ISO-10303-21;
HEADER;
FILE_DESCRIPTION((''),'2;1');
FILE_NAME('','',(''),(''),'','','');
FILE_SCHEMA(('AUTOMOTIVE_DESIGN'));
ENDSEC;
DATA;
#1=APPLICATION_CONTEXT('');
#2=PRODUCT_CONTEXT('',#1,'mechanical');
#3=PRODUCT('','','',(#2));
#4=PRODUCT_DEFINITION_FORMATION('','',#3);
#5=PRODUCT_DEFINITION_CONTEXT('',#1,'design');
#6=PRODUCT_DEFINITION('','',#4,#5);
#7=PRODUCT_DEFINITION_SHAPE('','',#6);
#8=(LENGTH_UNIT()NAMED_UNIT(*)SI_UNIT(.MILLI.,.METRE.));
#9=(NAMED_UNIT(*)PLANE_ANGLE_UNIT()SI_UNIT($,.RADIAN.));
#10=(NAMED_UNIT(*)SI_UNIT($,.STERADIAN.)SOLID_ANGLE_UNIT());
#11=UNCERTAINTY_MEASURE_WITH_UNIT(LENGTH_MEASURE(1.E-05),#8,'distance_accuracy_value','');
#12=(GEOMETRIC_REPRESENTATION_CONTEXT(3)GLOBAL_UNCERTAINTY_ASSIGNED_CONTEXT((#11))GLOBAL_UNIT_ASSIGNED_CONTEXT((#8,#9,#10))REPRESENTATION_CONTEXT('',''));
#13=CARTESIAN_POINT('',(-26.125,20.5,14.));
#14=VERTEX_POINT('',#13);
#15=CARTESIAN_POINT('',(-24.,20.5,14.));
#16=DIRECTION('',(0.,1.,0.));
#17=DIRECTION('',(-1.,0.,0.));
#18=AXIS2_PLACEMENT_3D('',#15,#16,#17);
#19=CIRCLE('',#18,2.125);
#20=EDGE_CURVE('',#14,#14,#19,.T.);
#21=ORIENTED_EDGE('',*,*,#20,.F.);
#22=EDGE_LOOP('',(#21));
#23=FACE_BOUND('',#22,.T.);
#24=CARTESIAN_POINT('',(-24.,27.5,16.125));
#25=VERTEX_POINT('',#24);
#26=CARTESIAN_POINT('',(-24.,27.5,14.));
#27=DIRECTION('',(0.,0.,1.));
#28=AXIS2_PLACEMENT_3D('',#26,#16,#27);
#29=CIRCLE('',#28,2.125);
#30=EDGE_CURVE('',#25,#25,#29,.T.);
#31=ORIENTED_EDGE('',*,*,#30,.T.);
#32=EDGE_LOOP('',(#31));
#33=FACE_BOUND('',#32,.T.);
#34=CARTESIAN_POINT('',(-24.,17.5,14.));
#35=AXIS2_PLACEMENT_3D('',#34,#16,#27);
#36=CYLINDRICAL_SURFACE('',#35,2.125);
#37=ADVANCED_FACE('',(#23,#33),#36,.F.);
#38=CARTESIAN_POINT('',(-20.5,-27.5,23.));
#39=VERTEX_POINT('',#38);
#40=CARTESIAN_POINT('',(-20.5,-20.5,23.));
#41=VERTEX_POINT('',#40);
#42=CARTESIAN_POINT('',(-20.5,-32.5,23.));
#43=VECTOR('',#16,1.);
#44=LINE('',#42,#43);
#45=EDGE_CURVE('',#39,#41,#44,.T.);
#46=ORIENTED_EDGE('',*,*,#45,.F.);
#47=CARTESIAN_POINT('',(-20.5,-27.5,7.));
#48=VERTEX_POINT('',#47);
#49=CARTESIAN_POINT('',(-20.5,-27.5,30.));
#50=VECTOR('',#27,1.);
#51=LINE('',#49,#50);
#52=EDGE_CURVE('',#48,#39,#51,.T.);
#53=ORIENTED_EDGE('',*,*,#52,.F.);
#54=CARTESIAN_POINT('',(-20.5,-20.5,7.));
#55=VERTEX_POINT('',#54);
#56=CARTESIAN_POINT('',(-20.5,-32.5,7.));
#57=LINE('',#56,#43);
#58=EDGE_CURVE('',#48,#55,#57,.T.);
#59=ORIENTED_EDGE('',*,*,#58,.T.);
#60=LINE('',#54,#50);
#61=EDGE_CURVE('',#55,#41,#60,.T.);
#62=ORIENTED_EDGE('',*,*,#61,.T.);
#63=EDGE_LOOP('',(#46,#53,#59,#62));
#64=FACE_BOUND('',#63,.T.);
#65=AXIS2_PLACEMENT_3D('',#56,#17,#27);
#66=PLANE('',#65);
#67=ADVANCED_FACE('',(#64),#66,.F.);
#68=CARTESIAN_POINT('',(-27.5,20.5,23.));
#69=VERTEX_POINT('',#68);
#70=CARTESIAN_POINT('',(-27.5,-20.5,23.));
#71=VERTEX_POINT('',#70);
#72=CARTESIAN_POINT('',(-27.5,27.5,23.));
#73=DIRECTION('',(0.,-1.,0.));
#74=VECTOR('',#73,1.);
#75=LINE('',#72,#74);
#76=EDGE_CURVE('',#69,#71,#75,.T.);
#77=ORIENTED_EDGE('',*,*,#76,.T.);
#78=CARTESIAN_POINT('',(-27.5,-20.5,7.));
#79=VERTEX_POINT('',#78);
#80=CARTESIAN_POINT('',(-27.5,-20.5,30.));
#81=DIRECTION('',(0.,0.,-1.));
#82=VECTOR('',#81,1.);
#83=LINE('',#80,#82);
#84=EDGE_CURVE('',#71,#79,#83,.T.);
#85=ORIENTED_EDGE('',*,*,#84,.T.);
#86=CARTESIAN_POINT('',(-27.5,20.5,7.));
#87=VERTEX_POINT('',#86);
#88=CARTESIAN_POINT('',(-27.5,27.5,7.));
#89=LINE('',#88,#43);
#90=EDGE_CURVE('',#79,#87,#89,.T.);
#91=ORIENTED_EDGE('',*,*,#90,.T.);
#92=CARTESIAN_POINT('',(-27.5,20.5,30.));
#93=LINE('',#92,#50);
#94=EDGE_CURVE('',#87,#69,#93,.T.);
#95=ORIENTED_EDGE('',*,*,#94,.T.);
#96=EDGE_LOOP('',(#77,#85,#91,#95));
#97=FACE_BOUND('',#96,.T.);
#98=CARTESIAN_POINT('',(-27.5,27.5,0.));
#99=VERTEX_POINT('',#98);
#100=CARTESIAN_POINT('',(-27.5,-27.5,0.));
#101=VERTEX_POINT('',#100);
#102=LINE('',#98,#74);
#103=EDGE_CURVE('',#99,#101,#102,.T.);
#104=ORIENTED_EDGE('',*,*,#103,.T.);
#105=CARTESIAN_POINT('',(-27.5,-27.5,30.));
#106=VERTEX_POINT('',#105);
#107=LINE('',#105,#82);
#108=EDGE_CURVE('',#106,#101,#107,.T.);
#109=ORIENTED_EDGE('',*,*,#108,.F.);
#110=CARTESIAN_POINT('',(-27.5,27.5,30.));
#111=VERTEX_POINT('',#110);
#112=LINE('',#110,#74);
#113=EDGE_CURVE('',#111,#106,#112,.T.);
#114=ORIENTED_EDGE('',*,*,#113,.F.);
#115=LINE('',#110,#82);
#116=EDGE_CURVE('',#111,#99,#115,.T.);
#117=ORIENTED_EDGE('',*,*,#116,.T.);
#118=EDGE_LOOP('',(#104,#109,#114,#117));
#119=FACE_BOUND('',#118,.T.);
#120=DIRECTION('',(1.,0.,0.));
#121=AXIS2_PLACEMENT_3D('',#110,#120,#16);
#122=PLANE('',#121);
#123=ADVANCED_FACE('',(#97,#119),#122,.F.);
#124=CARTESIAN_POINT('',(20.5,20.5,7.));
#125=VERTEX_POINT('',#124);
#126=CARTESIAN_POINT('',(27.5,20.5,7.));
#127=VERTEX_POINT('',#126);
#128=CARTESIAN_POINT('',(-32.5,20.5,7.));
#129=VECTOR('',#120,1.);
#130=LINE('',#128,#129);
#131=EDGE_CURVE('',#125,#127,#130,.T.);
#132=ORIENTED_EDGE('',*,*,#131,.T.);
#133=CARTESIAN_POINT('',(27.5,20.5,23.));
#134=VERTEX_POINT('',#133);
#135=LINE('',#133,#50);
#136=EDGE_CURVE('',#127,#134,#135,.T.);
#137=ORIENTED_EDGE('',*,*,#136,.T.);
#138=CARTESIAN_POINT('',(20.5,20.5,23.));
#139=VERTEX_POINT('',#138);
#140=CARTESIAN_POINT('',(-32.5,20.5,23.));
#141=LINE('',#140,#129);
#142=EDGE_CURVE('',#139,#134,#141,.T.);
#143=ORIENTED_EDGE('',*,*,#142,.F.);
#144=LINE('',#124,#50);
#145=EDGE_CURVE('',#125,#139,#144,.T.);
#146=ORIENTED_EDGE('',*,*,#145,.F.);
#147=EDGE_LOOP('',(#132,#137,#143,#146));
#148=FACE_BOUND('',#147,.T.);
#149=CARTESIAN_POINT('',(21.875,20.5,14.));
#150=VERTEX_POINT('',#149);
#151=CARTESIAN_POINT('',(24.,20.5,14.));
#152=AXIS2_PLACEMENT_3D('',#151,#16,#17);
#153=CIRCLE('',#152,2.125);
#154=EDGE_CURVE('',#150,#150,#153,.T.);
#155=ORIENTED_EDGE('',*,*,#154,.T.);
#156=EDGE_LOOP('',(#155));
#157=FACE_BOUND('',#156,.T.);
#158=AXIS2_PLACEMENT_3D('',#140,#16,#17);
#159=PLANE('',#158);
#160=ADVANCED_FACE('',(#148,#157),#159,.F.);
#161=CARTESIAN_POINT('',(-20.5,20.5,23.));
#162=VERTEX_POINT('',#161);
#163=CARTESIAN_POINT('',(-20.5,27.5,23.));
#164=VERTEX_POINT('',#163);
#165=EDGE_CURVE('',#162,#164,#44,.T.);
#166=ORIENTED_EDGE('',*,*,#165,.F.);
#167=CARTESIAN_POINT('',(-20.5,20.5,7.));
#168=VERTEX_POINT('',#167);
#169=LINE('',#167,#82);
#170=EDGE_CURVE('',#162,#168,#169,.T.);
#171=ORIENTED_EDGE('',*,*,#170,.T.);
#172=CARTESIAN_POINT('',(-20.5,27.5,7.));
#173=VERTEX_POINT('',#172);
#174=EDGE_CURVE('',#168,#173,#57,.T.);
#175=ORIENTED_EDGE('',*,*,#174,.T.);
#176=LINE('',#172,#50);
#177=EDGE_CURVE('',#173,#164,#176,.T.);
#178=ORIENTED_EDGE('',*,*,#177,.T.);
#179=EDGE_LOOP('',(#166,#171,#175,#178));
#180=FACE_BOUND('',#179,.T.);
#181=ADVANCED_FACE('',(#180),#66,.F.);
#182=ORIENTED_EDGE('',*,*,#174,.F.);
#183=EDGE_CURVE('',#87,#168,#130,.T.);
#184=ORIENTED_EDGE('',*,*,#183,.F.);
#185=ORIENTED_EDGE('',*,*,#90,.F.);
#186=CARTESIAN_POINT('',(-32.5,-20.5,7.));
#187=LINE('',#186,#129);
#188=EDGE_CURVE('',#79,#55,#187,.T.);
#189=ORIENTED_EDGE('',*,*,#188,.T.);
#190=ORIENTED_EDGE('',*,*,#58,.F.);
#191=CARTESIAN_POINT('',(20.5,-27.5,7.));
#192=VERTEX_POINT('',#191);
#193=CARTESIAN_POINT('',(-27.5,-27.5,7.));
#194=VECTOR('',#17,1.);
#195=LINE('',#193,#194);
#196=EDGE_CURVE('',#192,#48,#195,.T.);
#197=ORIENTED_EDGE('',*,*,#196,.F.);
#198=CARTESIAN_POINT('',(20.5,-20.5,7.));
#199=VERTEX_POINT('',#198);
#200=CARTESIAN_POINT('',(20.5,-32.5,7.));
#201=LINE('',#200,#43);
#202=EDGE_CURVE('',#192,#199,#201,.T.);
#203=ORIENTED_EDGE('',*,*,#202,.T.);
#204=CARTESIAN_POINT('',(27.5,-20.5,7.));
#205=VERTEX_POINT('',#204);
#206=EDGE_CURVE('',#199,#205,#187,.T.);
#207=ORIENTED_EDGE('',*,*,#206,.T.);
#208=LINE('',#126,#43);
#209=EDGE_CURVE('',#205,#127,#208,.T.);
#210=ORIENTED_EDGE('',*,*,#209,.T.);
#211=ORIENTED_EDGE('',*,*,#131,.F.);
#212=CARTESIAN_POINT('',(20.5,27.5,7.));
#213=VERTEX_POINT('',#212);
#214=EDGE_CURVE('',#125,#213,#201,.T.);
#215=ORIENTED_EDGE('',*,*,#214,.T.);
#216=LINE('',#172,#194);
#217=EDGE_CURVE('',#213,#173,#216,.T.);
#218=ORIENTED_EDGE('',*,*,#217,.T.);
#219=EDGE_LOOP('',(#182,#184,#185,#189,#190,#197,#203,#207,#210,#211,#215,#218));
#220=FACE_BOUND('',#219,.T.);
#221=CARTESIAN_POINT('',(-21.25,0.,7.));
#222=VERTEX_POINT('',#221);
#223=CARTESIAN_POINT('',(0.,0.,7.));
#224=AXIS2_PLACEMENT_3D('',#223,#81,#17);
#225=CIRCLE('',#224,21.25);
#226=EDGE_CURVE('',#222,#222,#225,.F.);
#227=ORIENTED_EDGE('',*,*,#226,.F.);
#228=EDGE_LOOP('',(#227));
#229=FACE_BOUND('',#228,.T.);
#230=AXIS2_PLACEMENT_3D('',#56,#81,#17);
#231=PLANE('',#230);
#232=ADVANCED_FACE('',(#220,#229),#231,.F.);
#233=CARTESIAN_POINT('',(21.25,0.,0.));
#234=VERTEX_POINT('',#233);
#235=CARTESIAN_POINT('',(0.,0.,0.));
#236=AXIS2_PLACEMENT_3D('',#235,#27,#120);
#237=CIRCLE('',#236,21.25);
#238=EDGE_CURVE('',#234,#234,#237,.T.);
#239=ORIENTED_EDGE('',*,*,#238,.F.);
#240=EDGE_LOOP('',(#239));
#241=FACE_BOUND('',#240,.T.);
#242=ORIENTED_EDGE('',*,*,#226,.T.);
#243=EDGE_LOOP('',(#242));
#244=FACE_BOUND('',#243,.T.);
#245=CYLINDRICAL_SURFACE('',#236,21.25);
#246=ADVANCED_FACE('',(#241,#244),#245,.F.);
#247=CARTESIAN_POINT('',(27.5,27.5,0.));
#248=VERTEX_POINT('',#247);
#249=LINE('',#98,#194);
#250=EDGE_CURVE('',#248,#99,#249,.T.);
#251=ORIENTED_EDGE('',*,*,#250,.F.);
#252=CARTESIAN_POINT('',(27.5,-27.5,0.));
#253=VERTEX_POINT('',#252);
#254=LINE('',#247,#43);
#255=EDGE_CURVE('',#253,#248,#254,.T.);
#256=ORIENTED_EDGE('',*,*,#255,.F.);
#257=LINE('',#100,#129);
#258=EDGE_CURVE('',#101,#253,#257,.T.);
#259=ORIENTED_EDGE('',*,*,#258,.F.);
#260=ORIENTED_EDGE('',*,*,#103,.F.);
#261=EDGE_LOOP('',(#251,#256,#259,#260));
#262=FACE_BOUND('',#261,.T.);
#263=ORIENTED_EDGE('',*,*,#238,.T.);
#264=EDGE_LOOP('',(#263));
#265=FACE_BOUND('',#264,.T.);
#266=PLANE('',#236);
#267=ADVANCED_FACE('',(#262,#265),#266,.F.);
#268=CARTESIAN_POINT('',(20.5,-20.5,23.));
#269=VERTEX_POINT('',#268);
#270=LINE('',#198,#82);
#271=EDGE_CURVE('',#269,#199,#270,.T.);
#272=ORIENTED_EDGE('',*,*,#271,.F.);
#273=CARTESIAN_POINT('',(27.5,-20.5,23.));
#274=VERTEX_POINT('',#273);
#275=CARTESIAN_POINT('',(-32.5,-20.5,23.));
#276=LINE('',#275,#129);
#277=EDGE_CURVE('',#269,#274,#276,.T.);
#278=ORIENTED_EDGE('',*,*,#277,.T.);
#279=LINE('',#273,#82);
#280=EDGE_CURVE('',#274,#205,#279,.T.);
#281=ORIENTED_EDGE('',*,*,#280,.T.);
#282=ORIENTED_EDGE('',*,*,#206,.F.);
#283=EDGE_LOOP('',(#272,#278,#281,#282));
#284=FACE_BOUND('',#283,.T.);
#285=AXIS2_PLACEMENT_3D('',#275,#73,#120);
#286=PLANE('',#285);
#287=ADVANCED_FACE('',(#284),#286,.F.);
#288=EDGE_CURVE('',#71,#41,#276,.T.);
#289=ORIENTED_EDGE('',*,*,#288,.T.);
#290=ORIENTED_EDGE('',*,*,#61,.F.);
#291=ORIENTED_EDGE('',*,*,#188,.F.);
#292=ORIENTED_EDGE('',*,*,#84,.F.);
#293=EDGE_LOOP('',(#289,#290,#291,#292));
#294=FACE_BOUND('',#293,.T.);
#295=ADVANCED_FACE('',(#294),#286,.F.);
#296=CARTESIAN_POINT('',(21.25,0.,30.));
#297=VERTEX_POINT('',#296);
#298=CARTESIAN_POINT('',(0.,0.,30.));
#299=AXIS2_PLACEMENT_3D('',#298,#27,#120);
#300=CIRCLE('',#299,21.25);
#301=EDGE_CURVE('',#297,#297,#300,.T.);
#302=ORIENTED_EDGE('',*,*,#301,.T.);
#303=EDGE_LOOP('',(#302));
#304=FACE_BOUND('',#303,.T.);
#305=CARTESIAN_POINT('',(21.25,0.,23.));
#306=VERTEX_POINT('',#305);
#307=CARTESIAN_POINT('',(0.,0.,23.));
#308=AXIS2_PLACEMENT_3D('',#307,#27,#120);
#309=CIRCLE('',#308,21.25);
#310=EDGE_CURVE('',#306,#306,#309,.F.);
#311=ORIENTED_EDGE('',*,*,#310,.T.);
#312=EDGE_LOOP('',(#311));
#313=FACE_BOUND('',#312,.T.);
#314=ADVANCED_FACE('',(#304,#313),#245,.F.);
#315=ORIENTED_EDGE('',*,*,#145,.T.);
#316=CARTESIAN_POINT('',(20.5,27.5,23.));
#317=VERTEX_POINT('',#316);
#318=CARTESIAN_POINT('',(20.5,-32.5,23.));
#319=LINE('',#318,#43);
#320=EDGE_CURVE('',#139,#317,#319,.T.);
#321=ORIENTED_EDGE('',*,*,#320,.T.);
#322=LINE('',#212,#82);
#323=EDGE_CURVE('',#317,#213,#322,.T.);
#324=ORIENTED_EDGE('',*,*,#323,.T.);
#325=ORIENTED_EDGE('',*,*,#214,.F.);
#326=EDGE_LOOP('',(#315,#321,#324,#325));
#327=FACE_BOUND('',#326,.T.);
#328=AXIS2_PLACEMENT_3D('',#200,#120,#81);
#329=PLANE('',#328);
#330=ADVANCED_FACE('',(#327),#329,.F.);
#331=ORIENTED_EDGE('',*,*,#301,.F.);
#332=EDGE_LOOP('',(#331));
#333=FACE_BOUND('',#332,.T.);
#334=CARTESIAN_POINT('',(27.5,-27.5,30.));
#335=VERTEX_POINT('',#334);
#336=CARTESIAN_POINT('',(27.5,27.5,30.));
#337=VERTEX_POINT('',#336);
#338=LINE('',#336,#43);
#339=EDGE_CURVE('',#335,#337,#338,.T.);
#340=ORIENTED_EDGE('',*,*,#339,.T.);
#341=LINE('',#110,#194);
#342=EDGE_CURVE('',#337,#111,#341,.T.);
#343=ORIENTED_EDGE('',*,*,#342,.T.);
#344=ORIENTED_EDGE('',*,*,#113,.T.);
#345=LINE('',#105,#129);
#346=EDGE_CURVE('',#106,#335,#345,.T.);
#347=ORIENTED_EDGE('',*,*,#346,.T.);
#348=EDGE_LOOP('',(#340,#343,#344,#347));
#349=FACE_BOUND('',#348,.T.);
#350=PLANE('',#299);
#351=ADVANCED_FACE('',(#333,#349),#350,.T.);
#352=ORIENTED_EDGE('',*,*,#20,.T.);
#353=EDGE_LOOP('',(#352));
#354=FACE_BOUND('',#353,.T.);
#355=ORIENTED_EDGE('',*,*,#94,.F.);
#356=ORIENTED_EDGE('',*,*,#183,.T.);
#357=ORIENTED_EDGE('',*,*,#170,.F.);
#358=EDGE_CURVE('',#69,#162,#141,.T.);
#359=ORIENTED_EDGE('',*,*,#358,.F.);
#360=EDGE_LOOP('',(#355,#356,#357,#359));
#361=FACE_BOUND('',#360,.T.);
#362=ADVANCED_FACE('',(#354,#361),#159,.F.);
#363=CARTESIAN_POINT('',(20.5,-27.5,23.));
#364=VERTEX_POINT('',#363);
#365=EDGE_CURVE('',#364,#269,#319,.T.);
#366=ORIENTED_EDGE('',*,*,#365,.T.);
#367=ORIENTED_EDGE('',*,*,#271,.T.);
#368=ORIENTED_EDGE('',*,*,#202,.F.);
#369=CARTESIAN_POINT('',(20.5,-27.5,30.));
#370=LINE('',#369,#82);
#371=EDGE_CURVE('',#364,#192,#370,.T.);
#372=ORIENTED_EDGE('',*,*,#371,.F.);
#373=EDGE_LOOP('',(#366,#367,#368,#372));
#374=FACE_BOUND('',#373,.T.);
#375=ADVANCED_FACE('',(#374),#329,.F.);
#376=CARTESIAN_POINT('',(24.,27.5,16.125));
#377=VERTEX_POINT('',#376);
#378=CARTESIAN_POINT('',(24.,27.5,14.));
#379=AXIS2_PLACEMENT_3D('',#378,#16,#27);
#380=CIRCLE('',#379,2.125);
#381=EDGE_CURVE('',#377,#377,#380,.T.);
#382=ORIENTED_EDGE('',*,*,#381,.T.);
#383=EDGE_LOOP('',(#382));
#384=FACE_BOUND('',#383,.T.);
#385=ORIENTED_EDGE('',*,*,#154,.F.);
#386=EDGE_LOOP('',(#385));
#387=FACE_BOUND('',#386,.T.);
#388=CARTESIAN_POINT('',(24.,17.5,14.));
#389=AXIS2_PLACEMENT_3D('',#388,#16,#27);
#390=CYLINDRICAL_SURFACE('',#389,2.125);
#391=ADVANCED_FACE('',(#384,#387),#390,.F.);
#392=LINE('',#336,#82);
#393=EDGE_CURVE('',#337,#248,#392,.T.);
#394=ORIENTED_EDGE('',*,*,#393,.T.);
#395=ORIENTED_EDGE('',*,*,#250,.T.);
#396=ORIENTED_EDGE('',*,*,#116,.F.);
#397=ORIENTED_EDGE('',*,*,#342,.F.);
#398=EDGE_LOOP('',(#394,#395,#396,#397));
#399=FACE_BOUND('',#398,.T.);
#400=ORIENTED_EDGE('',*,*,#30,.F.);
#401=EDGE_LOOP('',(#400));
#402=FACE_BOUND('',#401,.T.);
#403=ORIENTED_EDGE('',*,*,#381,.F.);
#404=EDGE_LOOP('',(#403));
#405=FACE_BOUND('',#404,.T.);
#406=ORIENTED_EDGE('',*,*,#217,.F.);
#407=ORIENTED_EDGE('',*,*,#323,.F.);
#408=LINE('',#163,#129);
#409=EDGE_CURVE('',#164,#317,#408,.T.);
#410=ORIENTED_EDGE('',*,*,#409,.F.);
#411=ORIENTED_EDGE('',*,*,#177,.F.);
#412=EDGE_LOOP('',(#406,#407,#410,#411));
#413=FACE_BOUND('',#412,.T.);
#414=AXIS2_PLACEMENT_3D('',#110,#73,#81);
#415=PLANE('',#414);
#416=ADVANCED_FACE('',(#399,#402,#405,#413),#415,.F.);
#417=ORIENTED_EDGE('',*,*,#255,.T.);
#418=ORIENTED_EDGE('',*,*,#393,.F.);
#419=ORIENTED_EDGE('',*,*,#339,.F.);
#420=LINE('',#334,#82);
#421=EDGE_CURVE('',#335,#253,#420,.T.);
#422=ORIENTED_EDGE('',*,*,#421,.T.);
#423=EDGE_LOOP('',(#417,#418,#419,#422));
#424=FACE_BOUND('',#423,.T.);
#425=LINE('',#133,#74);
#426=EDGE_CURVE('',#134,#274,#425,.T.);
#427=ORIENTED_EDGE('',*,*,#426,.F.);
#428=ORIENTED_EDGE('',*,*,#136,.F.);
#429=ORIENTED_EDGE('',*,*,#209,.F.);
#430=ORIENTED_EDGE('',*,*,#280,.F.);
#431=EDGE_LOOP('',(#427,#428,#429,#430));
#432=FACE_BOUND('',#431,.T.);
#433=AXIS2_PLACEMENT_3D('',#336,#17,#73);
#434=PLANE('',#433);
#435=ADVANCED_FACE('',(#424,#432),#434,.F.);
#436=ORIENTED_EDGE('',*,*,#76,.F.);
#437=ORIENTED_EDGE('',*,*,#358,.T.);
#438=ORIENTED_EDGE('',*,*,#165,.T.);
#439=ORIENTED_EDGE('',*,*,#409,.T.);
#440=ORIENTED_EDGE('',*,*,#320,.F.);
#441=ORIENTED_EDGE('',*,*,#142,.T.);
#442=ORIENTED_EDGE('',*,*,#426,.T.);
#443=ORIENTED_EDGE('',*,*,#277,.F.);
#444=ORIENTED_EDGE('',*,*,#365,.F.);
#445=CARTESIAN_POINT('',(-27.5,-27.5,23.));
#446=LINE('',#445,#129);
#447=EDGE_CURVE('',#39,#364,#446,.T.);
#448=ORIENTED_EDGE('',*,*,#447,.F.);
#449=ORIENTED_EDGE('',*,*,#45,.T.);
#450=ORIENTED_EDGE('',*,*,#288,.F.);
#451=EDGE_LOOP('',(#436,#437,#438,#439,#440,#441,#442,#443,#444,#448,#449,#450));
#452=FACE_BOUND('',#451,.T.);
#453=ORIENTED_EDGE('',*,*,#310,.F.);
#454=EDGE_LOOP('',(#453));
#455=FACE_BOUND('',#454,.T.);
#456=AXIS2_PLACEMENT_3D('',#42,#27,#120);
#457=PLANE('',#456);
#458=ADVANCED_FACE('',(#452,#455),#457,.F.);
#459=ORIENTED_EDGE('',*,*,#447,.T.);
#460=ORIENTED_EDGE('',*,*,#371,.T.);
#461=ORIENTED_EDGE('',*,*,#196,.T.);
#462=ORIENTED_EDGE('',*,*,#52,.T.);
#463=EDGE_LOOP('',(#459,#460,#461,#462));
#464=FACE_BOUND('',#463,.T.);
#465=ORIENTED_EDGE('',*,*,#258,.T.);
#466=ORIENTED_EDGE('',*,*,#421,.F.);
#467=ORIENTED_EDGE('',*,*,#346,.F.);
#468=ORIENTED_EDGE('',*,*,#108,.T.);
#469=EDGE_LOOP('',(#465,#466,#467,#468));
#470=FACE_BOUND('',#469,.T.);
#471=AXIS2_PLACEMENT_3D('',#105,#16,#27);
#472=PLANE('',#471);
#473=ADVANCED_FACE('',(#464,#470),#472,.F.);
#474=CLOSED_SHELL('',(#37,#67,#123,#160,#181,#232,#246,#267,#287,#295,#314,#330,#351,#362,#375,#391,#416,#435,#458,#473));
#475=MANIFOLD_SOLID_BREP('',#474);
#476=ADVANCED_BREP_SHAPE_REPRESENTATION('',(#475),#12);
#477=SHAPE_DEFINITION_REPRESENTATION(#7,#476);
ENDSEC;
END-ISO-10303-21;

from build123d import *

# Parameters (mm, degrees)
SKETCH1_W           = 55
SKETCH1_H           = 55
BOSS_EXTRUDE1_DEPTH = 30
SKETCH2_R           = 21.25
CUT_EXTRUDE1_DEPTH  = 30
SKETCH3_W           = 41
SKETCH3_H           = 16
CUT_EXTRUDE2_DEPTH  = 60
SKETCH4_W           = 16
SKETCH4_H           = 41
CUT_EXTRUDE3_DEPTH  = 60
SKETCH5_R           = 2.125
CUT_EXTRUDE4_DEPTH  = 10


with BuildPart() as part:
    # Sketch1 → Boss-Extrude1 (new body)
    with BuildSketch(Plane.XY):
        Rectangle(SKETCH1_W, SKETCH1_H)
    extrude(amount=BOSS_EXTRUDE1_DEPTH)

    # Sketch2 → Cut-Extrude1 (cut)
    with BuildSketch(Plane.XY.offset(30)):
        Circle(SKETCH2_R)
    extrude(amount=-CUT_EXTRUDE1_DEPTH, mode=Mode.SUBTRACT)

    # Sketch3 → Cut-Extrude2 (cut)
    with BuildSketch(Plane(origin=(0, 27.5, 0), x_dir=(1, 0, 0), z_dir=(0, 1, 0))):
        with Locations((0, -15)):
            Rectangle(SKETCH3_W, SKETCH3_H)
    extrude(amount=-CUT_EXTRUDE2_DEPTH, mode=Mode.SUBTRACT)

    # Sketch4 → Cut-Extrude3 (cut)
    with BuildSketch(Plane(origin=(27.5, 0, 0), x_dir=(0, 0, -1), z_dir=(1, 0, 0))):
        with Locations((-15, 0)):
            Rectangle(SKETCH4_W, SKETCH4_H)
    extrude(amount=-CUT_EXTRUDE3_DEPTH, mode=Mode.SUBTRACT)

    # Sketch5 → Cut-Extrude4 (cut)
    with BuildSketch(Plane(origin=(0, 27.5, 0), x_dir=(1, 0, 0), z_dir=(0, 1, 0))):
        with Locations(Location((-24, -14, 0), (0, 0, 270))):
            Circle(SKETCH5_R)
        with Locations(Location((24, -14, 0), (0, 0, 270))):
            Circle(SKETCH5_R)
    extrude(amount=-CUT_EXTRUDE4_DEPTH, mode=Mode.SUBTRACT)


solid = part.part
